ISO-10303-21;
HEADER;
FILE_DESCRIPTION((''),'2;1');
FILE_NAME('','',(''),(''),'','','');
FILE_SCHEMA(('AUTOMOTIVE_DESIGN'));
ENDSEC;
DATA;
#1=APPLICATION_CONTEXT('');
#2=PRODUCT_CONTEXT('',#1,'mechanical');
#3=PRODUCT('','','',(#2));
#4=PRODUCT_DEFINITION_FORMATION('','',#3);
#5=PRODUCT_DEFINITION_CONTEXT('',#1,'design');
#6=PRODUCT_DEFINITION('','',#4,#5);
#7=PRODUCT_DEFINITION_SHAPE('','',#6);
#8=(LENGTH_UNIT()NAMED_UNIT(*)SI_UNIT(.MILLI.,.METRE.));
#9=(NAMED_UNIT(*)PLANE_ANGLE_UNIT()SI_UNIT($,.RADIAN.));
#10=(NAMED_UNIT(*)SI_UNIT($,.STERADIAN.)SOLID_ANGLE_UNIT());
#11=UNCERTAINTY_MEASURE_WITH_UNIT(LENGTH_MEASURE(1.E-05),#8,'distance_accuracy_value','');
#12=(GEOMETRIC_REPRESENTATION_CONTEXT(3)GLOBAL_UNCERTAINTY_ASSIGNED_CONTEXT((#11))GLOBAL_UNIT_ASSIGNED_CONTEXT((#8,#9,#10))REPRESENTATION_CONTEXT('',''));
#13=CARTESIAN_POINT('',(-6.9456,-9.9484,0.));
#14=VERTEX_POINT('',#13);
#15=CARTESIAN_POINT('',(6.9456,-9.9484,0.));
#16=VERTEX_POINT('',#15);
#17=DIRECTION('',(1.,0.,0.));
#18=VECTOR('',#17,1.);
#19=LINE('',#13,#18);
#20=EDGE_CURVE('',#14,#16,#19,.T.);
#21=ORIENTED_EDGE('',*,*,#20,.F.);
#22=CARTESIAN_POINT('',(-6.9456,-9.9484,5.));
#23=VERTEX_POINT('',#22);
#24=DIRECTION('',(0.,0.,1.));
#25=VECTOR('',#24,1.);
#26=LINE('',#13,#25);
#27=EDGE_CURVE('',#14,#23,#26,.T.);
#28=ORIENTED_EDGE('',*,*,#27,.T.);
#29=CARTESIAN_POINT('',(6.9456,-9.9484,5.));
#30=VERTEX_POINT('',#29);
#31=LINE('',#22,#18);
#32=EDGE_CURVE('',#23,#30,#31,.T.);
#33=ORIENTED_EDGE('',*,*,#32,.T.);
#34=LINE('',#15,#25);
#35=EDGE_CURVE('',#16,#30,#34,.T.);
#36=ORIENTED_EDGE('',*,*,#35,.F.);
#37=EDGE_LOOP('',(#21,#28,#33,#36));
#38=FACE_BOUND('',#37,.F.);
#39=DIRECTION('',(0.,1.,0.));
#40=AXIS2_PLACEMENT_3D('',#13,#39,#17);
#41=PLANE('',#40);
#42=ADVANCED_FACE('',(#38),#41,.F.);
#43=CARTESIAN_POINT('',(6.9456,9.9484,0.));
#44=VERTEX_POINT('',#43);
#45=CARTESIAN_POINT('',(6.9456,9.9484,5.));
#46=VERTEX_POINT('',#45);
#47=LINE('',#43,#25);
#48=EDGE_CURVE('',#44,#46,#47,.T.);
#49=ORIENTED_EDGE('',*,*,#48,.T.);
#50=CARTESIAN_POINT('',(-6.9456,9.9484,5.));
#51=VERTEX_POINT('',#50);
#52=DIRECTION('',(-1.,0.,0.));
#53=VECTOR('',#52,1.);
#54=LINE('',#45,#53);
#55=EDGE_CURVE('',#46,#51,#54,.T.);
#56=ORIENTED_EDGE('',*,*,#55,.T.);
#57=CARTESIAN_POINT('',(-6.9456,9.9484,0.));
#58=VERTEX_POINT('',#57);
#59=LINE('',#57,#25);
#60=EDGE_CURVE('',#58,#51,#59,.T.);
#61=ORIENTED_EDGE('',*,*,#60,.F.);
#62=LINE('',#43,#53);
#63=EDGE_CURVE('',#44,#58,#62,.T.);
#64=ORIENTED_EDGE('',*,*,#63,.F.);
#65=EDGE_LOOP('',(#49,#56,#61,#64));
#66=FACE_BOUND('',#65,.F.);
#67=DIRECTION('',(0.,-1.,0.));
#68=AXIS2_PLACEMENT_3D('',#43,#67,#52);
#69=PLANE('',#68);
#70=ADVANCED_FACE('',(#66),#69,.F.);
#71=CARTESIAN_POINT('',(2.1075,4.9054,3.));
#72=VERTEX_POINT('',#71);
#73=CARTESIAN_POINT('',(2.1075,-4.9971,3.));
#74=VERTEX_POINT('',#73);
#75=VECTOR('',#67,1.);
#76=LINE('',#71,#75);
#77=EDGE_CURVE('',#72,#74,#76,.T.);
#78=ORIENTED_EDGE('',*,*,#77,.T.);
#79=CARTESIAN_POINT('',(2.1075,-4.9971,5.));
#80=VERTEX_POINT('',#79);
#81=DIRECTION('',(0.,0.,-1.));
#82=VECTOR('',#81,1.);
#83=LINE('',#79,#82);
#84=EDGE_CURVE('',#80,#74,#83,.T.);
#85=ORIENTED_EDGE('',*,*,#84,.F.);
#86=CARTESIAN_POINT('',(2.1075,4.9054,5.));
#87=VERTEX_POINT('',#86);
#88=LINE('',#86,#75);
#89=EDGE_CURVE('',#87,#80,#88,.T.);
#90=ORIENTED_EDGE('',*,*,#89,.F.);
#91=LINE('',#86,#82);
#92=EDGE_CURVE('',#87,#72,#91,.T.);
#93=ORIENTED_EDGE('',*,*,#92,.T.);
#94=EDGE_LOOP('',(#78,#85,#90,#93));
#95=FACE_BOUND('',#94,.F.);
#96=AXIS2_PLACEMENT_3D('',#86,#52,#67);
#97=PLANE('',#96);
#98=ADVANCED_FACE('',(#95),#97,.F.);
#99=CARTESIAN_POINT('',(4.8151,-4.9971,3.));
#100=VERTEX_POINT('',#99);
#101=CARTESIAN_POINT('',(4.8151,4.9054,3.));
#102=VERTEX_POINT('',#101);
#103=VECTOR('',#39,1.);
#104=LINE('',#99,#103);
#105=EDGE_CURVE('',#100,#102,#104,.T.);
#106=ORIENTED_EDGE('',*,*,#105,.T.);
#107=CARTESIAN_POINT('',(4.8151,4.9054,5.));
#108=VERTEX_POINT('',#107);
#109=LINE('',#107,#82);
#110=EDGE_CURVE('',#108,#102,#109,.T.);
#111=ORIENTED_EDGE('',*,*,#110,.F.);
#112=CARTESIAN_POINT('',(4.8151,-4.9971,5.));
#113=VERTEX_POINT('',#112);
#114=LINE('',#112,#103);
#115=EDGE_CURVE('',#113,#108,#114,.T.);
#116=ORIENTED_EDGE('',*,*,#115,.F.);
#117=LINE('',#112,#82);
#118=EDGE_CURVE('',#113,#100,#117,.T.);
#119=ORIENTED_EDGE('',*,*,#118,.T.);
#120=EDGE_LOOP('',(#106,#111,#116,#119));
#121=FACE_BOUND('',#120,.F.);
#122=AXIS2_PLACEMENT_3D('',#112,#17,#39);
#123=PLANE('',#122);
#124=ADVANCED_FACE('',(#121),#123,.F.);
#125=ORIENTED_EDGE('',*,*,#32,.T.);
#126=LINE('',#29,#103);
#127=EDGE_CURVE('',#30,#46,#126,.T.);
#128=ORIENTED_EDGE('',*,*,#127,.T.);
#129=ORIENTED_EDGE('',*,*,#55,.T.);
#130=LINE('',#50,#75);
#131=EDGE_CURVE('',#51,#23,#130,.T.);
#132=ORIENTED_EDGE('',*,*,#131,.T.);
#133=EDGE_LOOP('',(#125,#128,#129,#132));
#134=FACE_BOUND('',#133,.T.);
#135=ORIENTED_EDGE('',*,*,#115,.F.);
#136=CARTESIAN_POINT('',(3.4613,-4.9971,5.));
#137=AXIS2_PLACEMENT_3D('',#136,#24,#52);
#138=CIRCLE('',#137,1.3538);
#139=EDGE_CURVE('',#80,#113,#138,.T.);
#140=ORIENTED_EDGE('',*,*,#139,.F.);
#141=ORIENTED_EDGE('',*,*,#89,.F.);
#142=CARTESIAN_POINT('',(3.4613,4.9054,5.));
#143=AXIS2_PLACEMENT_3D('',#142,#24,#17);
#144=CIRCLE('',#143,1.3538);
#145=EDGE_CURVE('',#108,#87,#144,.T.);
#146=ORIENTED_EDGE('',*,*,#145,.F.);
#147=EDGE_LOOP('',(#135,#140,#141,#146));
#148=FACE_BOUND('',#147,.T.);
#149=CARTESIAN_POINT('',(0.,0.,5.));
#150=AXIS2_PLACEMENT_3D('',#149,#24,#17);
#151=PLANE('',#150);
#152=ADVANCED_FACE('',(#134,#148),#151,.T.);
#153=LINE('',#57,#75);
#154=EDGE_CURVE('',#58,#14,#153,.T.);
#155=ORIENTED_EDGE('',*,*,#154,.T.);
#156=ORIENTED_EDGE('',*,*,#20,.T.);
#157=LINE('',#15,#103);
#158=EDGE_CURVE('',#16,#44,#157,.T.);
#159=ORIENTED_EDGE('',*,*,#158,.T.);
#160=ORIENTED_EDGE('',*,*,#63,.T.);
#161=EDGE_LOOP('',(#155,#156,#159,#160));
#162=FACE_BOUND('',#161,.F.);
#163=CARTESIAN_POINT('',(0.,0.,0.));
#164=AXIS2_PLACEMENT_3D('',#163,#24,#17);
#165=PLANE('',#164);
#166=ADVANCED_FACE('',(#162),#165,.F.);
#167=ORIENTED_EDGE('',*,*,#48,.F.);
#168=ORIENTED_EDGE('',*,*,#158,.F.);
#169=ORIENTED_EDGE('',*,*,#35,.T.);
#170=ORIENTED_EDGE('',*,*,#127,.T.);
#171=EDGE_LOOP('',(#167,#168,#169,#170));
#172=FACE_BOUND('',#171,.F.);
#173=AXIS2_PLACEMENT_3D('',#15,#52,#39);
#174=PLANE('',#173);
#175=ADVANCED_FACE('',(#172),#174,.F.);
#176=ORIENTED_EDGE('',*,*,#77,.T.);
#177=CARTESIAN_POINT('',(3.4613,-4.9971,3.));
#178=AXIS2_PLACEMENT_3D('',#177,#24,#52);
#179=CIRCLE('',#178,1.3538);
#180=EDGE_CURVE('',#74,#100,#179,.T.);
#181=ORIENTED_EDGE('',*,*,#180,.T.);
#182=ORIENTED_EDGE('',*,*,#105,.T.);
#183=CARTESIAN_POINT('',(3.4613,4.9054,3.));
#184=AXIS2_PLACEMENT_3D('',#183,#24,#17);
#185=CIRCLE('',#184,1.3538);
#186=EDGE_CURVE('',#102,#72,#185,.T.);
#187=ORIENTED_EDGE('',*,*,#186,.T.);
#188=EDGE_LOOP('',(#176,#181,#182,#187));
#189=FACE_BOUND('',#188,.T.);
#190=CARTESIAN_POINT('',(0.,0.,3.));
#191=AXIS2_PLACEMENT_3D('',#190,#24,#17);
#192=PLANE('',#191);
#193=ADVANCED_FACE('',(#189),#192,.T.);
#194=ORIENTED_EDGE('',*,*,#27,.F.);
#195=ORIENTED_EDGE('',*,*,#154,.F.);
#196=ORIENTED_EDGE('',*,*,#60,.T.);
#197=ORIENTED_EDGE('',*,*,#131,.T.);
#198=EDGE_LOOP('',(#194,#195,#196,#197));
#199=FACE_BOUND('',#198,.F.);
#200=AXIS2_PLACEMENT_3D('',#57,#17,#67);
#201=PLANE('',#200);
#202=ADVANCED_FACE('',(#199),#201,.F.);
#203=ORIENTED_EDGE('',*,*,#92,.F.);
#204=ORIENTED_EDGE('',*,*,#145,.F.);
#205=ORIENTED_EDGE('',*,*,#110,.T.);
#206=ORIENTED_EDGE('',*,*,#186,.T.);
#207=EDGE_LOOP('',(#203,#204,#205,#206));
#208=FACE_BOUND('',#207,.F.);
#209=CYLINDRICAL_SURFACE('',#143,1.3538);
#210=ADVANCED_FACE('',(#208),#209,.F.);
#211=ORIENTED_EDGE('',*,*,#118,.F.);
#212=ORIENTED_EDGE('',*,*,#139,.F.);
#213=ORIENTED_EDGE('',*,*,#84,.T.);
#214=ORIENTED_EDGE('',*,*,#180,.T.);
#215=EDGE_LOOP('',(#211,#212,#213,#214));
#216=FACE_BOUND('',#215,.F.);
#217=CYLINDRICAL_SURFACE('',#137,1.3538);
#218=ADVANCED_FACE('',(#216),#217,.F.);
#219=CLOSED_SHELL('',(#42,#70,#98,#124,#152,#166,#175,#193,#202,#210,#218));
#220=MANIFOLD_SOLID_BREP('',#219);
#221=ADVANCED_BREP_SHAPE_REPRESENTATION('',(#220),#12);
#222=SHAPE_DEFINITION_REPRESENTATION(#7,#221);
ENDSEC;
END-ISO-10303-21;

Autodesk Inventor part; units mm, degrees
ref_plane "YZ Plane" through (0, 0, 0) normal (1, 0, 0) x (0, 1, 0)
ref_plane "XZ Plane" through (0, 0, 0) normal (0, 1, 0) x (-1, 0, 0)
ref_plane "XY Plane" through (0, 0, 0) normal (0, 0, 1) x (1, 0, 0)
sketch "スケッチ22" plane through (0, 0, 0) normal (0, 0, 1) x (1, 0, 0)
  line L0 (-6.9456, -9.9484) -> (6.9456, -9.9484)
  line L1 (6.9456, -9.9484) -> (6.9456, 9.9484)
  line L2 (6.9456, 9.9484) -> (-6.9456, 9.9484)
  line L3 (-6.9456, 9.9484) -> (-6.9456, -9.9484)
  line L4 (-6.9456, -9.9484) -> (6.9456, 9.9484) construction
  line L5 (6.9456, -9.9484) -> (-6.9456, 9.9484) construction
  point P0 (0, 0)
extrude "押し出し14" add sketch "スケッチ22" along normal blind 5
sketch "スケッチ23" plane through (0, 0, 5) normal (0, 0, 1) x (1, 0, 0)
  line L0 (3.4613, 4.9054) -> (3.4613, -4.9971) construction
  line L1 (2.1075, 4.9054) -> (2.1075, -4.9971)
  line L2 (4.8151, -4.9971) -> (4.8151, 4.9054)
  arc A0 (4.8151, 4.9054) -> (2.1075, 4.9054) centre (3.4613, 4.9054) ccw
  arc A1 (2.1075, -4.9971) -> (4.8151, -4.9971) centre (3.4613, -4.9971) ccw
  point P0 (0, 0)
  point P1 (3.4613, -0.0458)
extrude "押し出し15" cut sketch "スケッチ23" against normal blind 2
properties material "A5052"
